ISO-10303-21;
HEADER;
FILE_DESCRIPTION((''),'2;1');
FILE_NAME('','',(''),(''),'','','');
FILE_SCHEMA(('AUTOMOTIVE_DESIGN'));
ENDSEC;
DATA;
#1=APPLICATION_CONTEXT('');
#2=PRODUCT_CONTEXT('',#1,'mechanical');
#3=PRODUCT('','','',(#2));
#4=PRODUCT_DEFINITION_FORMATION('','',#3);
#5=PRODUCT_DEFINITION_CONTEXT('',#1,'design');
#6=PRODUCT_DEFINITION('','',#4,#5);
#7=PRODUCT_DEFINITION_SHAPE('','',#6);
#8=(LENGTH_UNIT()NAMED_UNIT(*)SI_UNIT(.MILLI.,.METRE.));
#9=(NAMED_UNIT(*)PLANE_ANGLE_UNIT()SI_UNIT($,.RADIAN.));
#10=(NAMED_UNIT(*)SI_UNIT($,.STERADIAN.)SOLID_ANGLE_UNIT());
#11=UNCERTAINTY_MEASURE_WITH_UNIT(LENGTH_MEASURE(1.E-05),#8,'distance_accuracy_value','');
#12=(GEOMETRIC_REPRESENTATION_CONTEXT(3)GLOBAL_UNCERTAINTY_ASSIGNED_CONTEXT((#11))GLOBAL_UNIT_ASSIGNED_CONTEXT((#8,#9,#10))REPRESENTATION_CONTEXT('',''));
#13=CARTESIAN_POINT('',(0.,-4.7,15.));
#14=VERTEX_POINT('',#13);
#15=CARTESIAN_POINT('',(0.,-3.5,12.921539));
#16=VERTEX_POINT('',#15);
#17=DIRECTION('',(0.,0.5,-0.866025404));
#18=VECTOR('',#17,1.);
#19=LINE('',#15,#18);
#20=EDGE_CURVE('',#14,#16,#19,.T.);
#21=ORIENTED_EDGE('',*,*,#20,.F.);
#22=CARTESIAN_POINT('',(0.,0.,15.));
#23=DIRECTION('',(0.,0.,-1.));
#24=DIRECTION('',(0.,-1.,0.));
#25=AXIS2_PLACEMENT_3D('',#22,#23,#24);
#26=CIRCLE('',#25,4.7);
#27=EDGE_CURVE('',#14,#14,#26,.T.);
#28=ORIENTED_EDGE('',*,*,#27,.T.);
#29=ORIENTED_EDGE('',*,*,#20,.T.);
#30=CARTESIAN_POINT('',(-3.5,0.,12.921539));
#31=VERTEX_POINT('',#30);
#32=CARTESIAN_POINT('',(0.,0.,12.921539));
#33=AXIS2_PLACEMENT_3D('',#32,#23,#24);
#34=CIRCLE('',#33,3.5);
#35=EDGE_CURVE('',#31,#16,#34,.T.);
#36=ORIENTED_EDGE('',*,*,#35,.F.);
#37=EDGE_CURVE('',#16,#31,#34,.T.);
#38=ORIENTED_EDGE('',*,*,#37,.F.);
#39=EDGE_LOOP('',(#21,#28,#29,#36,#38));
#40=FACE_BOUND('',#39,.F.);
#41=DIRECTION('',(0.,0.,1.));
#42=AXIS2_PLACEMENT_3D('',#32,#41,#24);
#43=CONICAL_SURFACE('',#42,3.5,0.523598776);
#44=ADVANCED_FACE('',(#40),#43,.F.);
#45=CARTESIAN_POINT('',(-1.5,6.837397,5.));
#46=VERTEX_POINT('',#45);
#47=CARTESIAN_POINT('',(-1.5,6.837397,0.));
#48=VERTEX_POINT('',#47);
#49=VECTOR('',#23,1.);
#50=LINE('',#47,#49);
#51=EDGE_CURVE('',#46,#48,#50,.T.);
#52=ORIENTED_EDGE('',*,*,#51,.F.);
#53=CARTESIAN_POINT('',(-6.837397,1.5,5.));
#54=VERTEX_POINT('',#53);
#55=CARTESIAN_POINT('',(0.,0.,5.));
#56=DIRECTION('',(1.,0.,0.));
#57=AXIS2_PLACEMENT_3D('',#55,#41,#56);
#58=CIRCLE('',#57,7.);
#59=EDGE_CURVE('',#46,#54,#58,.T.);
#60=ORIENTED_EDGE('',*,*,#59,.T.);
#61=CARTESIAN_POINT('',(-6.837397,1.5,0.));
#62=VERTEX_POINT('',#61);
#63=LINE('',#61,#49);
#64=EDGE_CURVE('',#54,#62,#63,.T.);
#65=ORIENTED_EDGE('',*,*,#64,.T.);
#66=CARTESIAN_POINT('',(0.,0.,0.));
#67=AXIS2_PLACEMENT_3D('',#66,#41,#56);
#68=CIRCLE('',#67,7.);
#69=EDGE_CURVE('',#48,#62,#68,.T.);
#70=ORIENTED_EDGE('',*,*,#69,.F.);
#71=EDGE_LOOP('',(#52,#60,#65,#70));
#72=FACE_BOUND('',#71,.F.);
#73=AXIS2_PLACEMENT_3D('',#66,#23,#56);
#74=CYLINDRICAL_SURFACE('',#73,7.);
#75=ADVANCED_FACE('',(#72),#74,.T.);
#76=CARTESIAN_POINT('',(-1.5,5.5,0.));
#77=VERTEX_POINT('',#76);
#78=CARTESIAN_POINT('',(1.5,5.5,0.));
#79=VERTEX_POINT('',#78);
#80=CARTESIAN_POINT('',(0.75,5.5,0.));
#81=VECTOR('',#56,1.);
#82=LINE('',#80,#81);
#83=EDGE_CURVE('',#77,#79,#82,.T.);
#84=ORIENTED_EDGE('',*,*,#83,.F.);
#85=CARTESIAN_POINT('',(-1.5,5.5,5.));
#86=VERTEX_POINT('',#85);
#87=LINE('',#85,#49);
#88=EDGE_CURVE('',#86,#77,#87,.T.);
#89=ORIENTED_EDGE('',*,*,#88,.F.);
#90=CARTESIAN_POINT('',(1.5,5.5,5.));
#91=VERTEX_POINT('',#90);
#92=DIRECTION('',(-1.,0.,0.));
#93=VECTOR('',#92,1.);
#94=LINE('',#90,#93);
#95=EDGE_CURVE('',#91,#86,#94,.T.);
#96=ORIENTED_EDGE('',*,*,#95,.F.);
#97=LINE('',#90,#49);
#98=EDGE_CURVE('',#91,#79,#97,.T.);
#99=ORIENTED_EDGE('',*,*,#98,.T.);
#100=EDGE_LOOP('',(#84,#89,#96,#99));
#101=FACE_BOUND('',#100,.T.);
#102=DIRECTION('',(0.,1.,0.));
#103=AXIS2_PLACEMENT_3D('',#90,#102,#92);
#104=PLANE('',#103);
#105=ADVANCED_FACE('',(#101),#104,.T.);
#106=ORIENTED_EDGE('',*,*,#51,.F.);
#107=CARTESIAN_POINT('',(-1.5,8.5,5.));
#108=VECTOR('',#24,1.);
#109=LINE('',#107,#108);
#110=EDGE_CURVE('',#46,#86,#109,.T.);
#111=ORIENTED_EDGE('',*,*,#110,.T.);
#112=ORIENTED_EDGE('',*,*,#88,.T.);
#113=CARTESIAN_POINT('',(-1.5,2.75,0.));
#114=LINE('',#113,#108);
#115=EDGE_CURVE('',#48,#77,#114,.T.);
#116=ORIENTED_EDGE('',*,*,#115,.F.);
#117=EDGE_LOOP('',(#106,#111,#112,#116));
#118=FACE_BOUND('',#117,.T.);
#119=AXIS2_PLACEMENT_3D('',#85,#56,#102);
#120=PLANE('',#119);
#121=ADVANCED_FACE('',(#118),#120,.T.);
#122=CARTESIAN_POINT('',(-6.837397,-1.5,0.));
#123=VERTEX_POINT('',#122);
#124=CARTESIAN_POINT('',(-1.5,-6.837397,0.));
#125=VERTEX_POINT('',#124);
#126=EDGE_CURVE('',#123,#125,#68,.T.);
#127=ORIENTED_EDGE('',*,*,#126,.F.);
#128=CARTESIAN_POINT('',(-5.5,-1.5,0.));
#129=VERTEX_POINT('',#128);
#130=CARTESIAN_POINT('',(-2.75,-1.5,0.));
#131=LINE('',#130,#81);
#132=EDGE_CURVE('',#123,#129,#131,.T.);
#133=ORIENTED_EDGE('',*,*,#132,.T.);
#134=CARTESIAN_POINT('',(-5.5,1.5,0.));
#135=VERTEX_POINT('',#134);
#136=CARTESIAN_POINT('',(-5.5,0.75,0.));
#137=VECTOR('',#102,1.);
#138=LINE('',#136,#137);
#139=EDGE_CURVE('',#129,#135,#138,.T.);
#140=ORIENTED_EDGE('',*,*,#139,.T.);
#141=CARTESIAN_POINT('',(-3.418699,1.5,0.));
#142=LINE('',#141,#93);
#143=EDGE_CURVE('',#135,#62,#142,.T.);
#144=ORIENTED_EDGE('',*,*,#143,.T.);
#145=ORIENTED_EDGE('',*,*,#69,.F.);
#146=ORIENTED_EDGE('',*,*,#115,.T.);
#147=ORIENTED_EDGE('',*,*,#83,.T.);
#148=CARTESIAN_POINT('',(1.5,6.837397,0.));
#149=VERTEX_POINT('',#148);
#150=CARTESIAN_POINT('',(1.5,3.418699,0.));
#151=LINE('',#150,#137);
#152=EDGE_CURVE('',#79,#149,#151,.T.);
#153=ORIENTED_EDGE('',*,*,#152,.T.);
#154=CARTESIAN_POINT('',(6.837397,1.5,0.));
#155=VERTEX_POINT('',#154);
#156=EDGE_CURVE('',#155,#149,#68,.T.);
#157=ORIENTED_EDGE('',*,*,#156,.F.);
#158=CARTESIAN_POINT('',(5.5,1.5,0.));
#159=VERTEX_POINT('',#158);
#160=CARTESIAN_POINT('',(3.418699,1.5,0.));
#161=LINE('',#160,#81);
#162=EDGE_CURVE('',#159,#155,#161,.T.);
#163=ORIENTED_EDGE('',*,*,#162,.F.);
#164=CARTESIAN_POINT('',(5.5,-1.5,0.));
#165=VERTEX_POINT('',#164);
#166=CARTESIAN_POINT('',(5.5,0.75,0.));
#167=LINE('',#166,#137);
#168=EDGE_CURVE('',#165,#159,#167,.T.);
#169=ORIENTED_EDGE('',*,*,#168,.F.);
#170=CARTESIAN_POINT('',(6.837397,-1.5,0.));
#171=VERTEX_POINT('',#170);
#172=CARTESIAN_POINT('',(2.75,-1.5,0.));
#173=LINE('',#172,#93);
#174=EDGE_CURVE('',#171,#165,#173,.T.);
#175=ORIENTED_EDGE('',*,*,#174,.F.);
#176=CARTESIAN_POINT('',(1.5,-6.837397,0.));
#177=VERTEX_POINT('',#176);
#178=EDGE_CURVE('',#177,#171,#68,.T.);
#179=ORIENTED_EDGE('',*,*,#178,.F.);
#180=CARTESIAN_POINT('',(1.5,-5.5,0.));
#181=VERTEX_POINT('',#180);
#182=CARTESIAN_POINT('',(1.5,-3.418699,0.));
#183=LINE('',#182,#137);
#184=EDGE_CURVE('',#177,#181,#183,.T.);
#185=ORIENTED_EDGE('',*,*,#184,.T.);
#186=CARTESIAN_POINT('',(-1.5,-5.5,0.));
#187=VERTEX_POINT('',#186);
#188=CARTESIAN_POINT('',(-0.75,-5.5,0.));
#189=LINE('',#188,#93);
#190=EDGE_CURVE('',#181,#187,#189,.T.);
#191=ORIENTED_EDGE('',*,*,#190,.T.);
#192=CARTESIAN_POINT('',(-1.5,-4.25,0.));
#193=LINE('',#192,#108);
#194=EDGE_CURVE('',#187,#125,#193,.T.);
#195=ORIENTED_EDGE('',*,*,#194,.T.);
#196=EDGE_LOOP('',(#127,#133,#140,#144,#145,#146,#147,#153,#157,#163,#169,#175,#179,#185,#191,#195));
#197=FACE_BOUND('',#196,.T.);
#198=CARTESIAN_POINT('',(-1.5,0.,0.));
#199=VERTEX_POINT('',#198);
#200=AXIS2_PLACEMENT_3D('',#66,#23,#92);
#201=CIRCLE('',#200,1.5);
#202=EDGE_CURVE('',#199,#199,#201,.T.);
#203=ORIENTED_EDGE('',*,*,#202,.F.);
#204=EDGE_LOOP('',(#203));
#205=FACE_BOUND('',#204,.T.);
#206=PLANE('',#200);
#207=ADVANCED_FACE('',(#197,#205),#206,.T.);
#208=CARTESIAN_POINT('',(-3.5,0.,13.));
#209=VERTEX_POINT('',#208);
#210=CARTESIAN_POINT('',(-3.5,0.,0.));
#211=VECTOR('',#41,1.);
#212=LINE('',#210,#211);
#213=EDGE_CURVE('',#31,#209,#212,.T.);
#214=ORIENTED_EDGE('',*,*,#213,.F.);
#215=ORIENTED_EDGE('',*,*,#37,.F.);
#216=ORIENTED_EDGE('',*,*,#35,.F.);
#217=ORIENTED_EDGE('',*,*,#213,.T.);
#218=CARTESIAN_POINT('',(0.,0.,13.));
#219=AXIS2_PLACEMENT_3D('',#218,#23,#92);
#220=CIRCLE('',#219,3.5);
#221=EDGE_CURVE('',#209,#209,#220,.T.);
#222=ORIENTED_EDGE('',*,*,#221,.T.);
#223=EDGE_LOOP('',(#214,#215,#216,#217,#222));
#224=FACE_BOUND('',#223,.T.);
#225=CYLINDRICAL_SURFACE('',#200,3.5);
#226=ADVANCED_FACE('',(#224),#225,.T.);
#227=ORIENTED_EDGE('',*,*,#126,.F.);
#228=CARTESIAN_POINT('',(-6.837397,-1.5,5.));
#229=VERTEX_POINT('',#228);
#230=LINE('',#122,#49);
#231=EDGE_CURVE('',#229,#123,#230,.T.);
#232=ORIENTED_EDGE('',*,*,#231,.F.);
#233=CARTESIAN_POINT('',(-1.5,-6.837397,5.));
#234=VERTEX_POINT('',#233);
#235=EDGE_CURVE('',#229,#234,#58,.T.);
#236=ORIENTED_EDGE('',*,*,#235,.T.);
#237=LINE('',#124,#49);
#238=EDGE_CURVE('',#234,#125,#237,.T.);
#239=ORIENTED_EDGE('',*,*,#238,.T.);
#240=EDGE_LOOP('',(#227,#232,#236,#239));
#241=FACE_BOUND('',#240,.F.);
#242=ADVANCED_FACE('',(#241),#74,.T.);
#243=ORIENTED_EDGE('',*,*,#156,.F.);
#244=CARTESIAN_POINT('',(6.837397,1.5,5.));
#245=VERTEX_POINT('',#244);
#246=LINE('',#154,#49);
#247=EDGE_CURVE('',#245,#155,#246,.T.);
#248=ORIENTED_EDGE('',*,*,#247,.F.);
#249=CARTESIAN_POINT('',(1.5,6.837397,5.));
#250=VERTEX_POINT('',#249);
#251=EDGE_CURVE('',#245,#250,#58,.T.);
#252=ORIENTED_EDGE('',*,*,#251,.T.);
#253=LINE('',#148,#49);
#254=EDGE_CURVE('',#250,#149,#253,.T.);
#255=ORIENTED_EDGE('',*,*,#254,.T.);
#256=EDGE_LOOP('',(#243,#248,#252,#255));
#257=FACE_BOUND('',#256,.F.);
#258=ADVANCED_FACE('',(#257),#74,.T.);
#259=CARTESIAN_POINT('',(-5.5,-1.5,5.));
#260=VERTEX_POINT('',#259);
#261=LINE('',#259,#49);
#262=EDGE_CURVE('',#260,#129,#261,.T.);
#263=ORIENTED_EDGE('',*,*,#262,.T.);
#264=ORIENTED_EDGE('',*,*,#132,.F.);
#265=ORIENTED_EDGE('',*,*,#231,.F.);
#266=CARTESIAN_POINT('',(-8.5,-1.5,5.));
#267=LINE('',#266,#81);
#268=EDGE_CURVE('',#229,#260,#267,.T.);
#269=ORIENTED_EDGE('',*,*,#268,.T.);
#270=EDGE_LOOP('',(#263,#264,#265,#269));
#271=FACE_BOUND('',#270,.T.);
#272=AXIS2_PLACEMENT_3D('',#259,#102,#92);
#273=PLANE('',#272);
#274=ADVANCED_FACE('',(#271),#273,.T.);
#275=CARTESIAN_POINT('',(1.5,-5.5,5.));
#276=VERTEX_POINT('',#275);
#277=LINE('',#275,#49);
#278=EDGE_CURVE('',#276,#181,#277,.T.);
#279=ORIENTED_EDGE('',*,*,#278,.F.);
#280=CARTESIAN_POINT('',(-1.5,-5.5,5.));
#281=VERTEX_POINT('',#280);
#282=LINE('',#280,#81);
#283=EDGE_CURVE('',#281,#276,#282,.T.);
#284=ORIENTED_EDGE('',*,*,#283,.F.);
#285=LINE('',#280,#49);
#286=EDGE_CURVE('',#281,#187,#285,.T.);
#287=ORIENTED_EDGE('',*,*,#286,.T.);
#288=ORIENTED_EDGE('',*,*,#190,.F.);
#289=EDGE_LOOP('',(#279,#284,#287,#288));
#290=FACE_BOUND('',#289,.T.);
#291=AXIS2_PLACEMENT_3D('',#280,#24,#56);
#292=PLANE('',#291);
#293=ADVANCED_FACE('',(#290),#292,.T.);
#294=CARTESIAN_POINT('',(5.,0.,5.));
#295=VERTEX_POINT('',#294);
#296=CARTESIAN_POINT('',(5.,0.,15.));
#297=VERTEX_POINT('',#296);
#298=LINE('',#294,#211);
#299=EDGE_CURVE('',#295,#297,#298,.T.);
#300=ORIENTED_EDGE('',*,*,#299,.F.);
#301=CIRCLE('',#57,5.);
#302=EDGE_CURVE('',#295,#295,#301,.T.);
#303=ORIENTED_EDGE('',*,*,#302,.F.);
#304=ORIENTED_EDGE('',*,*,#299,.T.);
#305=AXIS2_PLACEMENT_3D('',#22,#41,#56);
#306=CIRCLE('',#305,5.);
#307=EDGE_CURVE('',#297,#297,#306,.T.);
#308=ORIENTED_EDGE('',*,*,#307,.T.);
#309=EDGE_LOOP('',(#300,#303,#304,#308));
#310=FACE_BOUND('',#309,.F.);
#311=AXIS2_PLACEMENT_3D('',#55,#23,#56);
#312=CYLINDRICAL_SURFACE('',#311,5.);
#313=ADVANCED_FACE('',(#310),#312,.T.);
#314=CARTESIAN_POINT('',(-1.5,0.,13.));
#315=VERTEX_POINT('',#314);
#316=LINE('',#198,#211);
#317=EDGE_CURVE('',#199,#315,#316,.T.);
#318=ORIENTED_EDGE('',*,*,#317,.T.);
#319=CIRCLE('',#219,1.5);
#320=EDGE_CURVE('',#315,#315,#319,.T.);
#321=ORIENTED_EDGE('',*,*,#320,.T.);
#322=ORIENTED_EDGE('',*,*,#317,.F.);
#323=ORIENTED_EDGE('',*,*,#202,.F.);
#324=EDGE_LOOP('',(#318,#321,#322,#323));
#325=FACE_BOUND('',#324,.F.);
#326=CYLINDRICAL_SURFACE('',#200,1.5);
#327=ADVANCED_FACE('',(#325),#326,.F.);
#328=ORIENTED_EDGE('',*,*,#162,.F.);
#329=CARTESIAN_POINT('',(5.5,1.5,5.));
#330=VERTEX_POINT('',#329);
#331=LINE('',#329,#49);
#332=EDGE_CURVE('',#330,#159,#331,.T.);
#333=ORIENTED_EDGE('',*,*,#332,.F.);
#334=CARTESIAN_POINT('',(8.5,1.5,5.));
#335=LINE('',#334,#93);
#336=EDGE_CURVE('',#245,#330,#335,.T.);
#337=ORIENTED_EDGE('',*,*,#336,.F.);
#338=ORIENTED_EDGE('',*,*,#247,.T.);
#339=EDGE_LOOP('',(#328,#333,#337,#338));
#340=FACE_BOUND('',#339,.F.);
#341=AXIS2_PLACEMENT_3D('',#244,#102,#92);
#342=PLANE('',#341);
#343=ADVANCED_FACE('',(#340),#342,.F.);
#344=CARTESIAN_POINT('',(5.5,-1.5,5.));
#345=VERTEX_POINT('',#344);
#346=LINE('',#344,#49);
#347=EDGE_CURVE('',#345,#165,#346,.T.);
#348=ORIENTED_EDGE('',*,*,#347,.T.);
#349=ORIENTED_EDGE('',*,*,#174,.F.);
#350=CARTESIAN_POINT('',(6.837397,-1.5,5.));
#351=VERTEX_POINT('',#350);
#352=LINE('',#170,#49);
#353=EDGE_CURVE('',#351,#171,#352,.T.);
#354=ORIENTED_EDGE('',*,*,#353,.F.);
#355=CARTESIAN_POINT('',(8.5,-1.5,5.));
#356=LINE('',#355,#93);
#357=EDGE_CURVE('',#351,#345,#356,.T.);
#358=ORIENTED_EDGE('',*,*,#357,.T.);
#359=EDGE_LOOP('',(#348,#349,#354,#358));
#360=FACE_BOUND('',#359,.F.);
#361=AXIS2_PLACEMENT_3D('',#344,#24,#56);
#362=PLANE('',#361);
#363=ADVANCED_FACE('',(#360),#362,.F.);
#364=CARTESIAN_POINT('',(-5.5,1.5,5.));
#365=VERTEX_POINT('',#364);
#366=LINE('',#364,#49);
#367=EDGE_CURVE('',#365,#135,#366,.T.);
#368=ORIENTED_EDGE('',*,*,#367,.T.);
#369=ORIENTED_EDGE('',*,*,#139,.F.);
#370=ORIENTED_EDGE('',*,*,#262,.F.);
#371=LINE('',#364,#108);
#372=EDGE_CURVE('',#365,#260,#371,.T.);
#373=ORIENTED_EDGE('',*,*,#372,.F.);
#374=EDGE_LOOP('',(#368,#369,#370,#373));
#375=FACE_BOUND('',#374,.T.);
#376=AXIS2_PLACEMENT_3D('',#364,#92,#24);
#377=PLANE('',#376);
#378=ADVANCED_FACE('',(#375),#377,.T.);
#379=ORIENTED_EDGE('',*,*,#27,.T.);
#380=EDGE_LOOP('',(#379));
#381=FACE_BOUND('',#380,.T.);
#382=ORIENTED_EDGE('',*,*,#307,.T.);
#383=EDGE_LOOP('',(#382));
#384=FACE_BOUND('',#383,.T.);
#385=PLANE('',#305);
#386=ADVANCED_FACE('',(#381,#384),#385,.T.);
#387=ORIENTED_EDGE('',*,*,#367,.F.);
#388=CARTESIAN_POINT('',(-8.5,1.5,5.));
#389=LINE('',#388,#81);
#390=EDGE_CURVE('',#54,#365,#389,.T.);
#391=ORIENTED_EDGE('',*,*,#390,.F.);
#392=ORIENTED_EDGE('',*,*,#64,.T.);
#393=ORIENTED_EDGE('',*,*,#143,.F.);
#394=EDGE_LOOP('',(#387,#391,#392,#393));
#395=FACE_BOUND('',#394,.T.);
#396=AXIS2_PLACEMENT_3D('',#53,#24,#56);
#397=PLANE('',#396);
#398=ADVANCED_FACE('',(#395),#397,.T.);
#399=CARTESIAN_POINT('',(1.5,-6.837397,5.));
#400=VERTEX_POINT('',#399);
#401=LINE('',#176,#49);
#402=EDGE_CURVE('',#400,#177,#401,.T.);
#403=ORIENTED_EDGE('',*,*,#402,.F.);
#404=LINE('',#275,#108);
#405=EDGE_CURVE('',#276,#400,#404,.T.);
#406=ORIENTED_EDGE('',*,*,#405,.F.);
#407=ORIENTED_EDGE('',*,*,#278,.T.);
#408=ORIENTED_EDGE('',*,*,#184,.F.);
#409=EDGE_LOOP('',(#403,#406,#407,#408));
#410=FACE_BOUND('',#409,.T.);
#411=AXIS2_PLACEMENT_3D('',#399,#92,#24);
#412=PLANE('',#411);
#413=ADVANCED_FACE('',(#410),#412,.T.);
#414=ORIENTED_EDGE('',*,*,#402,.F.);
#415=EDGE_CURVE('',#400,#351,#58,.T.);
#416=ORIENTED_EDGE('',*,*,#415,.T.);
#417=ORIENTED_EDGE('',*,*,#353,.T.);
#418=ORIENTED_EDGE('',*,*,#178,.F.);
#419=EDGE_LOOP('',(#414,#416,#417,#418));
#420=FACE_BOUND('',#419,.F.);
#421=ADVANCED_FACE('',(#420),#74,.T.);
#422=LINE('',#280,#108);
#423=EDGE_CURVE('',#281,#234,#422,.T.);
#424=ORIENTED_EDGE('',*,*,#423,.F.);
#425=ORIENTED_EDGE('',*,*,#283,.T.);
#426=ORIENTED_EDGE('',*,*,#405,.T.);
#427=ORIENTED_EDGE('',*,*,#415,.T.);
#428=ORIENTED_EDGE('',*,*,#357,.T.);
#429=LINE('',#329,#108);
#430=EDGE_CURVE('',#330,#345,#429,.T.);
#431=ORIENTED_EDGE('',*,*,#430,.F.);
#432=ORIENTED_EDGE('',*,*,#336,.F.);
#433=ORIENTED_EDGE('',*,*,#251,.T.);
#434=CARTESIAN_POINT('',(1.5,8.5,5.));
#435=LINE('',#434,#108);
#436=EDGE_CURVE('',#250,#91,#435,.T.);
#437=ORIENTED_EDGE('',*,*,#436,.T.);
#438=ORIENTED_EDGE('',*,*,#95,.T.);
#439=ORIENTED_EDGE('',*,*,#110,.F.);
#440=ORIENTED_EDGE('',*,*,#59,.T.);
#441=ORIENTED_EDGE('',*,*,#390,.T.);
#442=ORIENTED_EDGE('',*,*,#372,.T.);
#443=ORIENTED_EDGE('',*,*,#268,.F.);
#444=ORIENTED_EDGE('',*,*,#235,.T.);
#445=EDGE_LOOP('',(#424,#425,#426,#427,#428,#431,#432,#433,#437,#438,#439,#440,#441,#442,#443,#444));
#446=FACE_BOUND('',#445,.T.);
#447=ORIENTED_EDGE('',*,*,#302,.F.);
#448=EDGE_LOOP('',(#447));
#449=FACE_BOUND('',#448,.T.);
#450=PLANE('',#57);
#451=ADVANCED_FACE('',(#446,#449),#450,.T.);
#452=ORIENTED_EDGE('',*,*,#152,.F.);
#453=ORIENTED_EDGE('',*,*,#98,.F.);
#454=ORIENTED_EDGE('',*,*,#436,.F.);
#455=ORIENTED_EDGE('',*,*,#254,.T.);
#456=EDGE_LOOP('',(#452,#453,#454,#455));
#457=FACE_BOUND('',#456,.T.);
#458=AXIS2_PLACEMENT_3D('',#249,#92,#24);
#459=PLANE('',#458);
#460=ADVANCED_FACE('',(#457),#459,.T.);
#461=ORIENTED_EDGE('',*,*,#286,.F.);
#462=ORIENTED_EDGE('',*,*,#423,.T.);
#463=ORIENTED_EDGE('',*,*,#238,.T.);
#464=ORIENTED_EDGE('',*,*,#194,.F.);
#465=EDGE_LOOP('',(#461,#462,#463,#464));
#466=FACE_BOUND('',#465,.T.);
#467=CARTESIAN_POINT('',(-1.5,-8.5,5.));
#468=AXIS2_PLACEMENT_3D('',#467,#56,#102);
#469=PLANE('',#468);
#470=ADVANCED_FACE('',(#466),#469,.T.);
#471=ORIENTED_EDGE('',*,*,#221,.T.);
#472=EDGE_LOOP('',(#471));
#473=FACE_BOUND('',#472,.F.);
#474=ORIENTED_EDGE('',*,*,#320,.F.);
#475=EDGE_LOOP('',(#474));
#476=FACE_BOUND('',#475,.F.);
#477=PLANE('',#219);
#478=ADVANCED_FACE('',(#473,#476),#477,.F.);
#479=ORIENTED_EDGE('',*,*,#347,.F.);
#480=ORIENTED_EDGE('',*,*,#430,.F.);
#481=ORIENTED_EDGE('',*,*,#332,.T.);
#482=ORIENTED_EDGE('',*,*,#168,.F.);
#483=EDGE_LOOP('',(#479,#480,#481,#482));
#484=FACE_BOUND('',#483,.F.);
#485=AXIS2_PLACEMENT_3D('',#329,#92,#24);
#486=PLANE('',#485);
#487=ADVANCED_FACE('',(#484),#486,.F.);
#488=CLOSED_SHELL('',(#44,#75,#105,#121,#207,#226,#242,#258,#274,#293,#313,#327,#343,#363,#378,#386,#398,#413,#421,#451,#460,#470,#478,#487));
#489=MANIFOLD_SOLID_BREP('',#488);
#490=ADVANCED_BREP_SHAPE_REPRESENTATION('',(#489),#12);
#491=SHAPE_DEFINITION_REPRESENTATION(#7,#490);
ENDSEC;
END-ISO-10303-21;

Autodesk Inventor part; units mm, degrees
ref_plane "YZ Plane" through (0, 0, 0) normal (1, 0, 0) x (0, 1, 0)
ref_plane "XZ Plane" through (0, 0, 0) normal (0, 1, 0) x (-1, 0, 0)
ref_plane "XY Plane" through (0, 0, 0) normal (0, 0, 1) x (1, 0, 0)
sketch "Sketch1" plane through (0, 0, 0) normal (0, 0, 1) x (1, 0, 0)
  circle A0 centre (0, 0) radius 7
  dimension "d0" = 14
extrude "Extrusion1" add sketch "Sketch1" along normal blind 5
sketch "Sketch2" plane through (0, 0, 5) normal (0, 0, 1) x (1, 0, 0)
  circle A0 centre (0, 0) radius 5
  dimension "d3" = 10
extrude "Extrusion2" add sketch "Sketch2" along normal blind 10
thread "Thread1" size "M10x1" class "6g" standard "ANSI Metric M Profile" length 23
sketch "Sketch3" plane through (0, 0, 15) normal (0, 0, 1) x (1, 0, 0)
  point P0 (0, 0)
  point P1 (0, 0)
hole "Hole1" at (0, 0, 15) direction (0, 0, -1) diameter 7 end through all
chamfer "Chamfer1" distance 1.2 angle 60 1 edges at (0, 3.5, 15) measured on face at (4.4431, -0.5395, 15)
sketch "Sketch4" plane through (0, 0, 0) normal (0, 0, -1) x (-1, 0, 0)
  circle A0 centre (0, 0) radius 1.5
  circle A1 centre (0, 0) radius 3.5
  dimension "d18" = 3
extrude "Extrusion3" add sketch "Sketch4" against normal blind 13
sketch "Sketch5" plane through (0, 0, 5) normal (0, 0, 1) x (1, 0, 0)
  circle A0 centre (0, 0) radius 7
  line L0 (-1.5, 8.5) -> (1.5, 8.5)
  line L1 (1.5, 8.5) -> (1.5, 5.5)
  line L2 (1.5, 5.5) -> (-1.5, 5.5)
  line L3 (-1.5, 5.5) -> (-1.5, 8.5)
  circle A1 centre (0, 0) radius 7 projected
  line L4 (-1.5, 8.5) -> (1.5, 5.5) construction
  line L5 (1.5, 8.5) -> (-1.5, 5.5) construction
  line L6 (8.5, 1.5) -> (5.5, 1.5)
  line L7 (5.5, 1.5) -> (5.5, -1.5)
  line L8 (5.5, -1.5) -> (8.5, -1.5)
  line L9 (8.5, -1.5) -> (8.5, 1.5)
  line L10 (8.5, 1.5) -> (5.5, -1.5) construction
  line L11 (5.5, 1.5) -> (8.5, -1.5) construction
  line L12 (1.5, -8.5) -> (-1.5, -8.5)
  line L13 (-1.5, -8.5) -> (-1.5, -5.5)
  line L14 (-1.5, -5.5) -> (1.5, -5.5)
  line L15 (1.5, -5.5) -> (1.5, -8.5)
  line L16 (1.5, -8.5) -> (-1.5, -5.5) construction
  line L17 (-1.5, -8.5) -> (1.5, -5.5) construction
  line L18 (-8.5, 1.5) -> (-5.5, 1.5)
  line L19 (-5.5, 1.5) -> (-5.5, -1.5)
  line L20 (-5.5, -1.5) -> (-8.5, -1.5)
  line L21 (-8.5, -1.5) -> (-8.5, 1.5)
  line L22 (-8.5, 1.5) -> (-5.5, -1.5) construction
  line L23 (-5.5, 1.5) -> (-8.5, -1.5) construction
  point P0 (0, 7)
  point P1 (7, 0)
  point P2 (0, -7)
  point P3 (-7, 0)
  dimension "d21" = 3
  dimension "d22" = 3
  dimension "d23" = 3
  dimension "d24" = 3
  dimension "d25" = 3
  dimension "d26" = 3
  dimension "d27" = 3
  dimension "d28" = 3
extrude "Extrusion4" cut sketch "Sketch5" against normal blind 13 contours A0 L8 L7 L6 | A0 L6 L9 L8 | L1 L2 L3 A0 | A0 L3 L0 L1 | L15 L12 L13 A0 | A0 L13 L14 L15 | L18 L19 L20 A0 | A0 L20 L21 L18
properties part number "HUDSON-1-36"
